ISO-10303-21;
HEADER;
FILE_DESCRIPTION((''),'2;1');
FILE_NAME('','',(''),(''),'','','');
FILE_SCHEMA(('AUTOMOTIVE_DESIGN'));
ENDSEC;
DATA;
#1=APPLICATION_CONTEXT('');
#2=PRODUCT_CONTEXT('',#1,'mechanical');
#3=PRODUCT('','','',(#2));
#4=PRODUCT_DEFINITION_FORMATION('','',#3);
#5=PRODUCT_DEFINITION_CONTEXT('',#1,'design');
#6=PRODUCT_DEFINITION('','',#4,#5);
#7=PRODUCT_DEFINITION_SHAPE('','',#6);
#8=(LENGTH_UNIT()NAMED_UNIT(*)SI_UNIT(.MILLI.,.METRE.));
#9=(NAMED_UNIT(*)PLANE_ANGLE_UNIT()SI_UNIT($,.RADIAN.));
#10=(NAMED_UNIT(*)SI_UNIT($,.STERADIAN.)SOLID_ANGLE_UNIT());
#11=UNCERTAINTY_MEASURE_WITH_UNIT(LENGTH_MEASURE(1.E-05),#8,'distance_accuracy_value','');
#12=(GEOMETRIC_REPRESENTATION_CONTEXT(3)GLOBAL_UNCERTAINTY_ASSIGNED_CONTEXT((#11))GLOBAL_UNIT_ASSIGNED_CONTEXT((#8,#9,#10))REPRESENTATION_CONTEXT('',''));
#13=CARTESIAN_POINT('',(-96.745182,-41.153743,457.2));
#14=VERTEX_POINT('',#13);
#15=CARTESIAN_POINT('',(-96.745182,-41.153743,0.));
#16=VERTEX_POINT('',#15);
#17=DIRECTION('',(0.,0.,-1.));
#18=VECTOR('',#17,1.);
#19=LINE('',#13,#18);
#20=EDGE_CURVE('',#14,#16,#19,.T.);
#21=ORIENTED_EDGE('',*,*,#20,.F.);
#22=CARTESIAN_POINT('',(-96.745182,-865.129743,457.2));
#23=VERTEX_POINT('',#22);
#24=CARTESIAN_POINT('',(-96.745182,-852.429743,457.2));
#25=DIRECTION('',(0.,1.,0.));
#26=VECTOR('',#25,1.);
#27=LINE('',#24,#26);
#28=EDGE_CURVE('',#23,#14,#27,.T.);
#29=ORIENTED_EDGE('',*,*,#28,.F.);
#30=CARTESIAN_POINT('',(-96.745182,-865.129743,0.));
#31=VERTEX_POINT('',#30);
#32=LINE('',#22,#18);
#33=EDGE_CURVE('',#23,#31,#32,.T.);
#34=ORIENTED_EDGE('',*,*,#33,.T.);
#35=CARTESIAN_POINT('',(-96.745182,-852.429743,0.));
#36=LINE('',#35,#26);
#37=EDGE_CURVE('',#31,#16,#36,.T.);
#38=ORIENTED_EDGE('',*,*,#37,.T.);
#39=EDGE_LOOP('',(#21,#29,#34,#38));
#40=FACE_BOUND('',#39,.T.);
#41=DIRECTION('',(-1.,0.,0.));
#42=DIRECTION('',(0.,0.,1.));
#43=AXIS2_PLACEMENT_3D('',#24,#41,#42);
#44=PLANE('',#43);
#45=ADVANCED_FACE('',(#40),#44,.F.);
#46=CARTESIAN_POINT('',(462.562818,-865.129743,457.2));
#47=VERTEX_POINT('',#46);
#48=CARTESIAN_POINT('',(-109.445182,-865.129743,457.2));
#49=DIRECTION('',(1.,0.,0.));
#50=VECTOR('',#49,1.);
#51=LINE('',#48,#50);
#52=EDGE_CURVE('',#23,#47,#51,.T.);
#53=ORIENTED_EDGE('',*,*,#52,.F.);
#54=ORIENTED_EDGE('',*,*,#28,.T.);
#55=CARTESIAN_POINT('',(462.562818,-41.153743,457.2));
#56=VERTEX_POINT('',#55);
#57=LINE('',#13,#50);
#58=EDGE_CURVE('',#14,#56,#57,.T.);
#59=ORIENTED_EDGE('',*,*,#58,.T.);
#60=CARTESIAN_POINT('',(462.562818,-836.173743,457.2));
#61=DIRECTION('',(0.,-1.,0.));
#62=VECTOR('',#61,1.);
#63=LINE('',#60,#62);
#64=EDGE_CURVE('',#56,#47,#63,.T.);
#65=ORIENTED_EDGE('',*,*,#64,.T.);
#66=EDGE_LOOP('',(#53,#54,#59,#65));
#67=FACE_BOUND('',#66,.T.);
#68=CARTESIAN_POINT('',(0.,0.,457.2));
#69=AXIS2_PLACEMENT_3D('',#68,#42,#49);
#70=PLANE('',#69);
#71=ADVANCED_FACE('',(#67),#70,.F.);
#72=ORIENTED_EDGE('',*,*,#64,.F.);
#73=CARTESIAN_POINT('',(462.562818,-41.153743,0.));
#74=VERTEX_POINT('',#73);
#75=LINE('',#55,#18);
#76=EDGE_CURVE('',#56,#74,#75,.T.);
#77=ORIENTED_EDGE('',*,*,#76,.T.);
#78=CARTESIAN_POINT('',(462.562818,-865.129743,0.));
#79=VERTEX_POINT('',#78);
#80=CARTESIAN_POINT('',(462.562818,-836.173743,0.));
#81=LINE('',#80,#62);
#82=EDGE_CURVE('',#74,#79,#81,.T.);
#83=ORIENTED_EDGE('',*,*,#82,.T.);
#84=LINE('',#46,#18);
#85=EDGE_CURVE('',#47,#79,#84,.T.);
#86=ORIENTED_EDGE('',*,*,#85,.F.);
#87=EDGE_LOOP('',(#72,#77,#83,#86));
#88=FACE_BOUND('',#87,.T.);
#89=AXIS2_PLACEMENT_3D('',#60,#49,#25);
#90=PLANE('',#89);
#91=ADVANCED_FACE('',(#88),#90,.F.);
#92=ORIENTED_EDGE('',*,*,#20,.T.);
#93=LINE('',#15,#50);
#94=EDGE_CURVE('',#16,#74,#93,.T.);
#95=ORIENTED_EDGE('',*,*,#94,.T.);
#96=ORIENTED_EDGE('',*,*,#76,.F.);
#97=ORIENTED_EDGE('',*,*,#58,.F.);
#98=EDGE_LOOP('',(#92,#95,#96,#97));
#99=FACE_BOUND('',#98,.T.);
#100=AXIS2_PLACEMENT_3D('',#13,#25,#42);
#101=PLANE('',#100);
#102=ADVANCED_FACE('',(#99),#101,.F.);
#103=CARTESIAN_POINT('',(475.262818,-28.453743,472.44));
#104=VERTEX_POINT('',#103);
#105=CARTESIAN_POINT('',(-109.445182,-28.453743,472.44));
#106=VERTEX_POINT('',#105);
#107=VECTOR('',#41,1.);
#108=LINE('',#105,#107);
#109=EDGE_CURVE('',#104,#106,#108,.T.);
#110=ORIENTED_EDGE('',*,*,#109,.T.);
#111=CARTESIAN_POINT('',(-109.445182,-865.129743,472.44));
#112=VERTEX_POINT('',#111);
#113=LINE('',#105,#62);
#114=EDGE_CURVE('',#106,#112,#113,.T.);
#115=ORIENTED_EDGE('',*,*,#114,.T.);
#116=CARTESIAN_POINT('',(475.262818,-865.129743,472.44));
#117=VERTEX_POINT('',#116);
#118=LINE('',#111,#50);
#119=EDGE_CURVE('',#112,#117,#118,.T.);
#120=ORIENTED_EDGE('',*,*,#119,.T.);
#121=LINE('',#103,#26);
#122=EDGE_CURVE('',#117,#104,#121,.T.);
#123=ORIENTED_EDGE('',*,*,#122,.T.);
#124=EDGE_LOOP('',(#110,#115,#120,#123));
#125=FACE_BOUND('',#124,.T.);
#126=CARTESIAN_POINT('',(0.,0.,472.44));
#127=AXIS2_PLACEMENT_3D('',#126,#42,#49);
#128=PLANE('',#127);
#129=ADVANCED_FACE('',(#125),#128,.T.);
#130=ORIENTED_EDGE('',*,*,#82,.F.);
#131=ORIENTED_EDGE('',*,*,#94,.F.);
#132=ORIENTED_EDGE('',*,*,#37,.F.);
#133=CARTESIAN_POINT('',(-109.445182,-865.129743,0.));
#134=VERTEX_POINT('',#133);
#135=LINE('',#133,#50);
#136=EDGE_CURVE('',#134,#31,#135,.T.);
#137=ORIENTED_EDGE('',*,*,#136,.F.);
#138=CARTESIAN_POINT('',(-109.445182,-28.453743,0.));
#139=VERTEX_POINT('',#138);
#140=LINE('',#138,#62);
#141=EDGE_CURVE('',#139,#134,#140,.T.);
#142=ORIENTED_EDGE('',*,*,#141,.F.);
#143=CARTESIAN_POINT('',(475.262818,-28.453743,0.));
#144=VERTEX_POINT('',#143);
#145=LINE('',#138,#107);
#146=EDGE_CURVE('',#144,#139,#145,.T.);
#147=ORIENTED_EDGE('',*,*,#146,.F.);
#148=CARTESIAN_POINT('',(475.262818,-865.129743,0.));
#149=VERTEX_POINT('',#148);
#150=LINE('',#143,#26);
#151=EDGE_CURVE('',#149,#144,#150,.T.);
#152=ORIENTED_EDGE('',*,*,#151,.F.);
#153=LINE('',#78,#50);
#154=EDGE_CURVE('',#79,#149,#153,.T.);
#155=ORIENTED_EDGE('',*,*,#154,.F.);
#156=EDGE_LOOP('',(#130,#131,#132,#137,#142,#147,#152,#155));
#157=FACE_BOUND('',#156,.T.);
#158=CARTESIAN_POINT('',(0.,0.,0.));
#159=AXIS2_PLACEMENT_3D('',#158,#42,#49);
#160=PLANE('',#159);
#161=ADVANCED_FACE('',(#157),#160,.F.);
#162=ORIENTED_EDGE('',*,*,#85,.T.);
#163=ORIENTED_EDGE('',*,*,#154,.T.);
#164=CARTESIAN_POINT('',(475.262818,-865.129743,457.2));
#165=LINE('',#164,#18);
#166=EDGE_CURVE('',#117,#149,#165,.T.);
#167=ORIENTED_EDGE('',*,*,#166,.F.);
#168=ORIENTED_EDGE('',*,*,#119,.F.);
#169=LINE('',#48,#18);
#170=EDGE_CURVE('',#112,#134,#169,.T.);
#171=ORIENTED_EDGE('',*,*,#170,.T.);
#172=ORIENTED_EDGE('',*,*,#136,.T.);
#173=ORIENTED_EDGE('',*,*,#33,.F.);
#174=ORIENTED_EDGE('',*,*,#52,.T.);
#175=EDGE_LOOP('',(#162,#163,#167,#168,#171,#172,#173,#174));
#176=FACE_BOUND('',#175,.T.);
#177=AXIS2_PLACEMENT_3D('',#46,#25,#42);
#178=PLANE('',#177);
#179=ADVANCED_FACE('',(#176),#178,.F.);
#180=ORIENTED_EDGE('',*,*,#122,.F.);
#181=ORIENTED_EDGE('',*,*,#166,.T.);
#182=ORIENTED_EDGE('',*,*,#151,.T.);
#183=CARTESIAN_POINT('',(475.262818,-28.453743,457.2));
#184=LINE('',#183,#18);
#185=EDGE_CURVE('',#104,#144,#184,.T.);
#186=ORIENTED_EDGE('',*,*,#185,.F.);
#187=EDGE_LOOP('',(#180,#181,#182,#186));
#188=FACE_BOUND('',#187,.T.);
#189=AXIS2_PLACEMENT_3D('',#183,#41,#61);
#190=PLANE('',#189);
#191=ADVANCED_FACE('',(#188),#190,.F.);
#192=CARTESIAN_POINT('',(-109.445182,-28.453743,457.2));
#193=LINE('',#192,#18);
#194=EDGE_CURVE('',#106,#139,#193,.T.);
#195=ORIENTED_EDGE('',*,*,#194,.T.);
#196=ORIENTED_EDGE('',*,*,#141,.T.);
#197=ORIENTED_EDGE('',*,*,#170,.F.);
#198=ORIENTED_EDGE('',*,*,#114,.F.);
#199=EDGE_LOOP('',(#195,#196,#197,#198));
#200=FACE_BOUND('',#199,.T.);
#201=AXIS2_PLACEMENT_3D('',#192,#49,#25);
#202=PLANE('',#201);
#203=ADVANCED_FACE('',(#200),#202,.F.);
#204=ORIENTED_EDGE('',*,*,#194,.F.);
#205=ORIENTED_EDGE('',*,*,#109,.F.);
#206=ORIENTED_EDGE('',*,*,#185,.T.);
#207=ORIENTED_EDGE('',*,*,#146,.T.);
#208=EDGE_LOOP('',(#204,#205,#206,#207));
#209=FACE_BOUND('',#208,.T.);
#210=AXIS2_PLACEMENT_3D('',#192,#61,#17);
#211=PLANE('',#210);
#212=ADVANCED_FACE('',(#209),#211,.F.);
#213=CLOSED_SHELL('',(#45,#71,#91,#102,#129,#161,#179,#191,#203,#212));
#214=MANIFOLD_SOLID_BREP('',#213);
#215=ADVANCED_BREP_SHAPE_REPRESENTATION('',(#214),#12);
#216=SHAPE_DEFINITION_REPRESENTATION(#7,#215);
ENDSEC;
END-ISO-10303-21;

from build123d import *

# Parameters (mm, degrees)
BOSS_EXTRUDE1_DEPTH = 457.2
SKETCH2_W           = 584.708
SKETCH2_H           = 836.676
BOSS_EXTRUDE2_DEPTH = 15.24


with BuildPart() as part:
    # Sketch1 → Boss-Extrude1 (new body)
    with BuildSketch(Plane.XY):
        Polygon((-109.445182115, -28.453743459), (475.262817885, -28.453743459), (475.262817885, -865.129743459), (462.562817885, -865.129743459), (462.562817885, -836.173743459), (462.562817885, -41.153743459), (-96.745182115, -41.153743459), (-96.745182115, -852.429743459), (-96.745182115, -865.129743459), (-109.445182115, -865.129743459), align=None)
    extrude(amount=BOSS_EXTRUDE1_DEPTH)

    # Sketch2 → Boss-Extrude2 (add)
    with BuildSketch(Plane.XY.offset(457.2)):
        with Locations((182.908817885, -446.791743459)):
            Rectangle(SKETCH2_W, SKETCH2_H)
    extrude(amount=BOSS_EXTRUDE2_DEPTH)


solid = part.part
